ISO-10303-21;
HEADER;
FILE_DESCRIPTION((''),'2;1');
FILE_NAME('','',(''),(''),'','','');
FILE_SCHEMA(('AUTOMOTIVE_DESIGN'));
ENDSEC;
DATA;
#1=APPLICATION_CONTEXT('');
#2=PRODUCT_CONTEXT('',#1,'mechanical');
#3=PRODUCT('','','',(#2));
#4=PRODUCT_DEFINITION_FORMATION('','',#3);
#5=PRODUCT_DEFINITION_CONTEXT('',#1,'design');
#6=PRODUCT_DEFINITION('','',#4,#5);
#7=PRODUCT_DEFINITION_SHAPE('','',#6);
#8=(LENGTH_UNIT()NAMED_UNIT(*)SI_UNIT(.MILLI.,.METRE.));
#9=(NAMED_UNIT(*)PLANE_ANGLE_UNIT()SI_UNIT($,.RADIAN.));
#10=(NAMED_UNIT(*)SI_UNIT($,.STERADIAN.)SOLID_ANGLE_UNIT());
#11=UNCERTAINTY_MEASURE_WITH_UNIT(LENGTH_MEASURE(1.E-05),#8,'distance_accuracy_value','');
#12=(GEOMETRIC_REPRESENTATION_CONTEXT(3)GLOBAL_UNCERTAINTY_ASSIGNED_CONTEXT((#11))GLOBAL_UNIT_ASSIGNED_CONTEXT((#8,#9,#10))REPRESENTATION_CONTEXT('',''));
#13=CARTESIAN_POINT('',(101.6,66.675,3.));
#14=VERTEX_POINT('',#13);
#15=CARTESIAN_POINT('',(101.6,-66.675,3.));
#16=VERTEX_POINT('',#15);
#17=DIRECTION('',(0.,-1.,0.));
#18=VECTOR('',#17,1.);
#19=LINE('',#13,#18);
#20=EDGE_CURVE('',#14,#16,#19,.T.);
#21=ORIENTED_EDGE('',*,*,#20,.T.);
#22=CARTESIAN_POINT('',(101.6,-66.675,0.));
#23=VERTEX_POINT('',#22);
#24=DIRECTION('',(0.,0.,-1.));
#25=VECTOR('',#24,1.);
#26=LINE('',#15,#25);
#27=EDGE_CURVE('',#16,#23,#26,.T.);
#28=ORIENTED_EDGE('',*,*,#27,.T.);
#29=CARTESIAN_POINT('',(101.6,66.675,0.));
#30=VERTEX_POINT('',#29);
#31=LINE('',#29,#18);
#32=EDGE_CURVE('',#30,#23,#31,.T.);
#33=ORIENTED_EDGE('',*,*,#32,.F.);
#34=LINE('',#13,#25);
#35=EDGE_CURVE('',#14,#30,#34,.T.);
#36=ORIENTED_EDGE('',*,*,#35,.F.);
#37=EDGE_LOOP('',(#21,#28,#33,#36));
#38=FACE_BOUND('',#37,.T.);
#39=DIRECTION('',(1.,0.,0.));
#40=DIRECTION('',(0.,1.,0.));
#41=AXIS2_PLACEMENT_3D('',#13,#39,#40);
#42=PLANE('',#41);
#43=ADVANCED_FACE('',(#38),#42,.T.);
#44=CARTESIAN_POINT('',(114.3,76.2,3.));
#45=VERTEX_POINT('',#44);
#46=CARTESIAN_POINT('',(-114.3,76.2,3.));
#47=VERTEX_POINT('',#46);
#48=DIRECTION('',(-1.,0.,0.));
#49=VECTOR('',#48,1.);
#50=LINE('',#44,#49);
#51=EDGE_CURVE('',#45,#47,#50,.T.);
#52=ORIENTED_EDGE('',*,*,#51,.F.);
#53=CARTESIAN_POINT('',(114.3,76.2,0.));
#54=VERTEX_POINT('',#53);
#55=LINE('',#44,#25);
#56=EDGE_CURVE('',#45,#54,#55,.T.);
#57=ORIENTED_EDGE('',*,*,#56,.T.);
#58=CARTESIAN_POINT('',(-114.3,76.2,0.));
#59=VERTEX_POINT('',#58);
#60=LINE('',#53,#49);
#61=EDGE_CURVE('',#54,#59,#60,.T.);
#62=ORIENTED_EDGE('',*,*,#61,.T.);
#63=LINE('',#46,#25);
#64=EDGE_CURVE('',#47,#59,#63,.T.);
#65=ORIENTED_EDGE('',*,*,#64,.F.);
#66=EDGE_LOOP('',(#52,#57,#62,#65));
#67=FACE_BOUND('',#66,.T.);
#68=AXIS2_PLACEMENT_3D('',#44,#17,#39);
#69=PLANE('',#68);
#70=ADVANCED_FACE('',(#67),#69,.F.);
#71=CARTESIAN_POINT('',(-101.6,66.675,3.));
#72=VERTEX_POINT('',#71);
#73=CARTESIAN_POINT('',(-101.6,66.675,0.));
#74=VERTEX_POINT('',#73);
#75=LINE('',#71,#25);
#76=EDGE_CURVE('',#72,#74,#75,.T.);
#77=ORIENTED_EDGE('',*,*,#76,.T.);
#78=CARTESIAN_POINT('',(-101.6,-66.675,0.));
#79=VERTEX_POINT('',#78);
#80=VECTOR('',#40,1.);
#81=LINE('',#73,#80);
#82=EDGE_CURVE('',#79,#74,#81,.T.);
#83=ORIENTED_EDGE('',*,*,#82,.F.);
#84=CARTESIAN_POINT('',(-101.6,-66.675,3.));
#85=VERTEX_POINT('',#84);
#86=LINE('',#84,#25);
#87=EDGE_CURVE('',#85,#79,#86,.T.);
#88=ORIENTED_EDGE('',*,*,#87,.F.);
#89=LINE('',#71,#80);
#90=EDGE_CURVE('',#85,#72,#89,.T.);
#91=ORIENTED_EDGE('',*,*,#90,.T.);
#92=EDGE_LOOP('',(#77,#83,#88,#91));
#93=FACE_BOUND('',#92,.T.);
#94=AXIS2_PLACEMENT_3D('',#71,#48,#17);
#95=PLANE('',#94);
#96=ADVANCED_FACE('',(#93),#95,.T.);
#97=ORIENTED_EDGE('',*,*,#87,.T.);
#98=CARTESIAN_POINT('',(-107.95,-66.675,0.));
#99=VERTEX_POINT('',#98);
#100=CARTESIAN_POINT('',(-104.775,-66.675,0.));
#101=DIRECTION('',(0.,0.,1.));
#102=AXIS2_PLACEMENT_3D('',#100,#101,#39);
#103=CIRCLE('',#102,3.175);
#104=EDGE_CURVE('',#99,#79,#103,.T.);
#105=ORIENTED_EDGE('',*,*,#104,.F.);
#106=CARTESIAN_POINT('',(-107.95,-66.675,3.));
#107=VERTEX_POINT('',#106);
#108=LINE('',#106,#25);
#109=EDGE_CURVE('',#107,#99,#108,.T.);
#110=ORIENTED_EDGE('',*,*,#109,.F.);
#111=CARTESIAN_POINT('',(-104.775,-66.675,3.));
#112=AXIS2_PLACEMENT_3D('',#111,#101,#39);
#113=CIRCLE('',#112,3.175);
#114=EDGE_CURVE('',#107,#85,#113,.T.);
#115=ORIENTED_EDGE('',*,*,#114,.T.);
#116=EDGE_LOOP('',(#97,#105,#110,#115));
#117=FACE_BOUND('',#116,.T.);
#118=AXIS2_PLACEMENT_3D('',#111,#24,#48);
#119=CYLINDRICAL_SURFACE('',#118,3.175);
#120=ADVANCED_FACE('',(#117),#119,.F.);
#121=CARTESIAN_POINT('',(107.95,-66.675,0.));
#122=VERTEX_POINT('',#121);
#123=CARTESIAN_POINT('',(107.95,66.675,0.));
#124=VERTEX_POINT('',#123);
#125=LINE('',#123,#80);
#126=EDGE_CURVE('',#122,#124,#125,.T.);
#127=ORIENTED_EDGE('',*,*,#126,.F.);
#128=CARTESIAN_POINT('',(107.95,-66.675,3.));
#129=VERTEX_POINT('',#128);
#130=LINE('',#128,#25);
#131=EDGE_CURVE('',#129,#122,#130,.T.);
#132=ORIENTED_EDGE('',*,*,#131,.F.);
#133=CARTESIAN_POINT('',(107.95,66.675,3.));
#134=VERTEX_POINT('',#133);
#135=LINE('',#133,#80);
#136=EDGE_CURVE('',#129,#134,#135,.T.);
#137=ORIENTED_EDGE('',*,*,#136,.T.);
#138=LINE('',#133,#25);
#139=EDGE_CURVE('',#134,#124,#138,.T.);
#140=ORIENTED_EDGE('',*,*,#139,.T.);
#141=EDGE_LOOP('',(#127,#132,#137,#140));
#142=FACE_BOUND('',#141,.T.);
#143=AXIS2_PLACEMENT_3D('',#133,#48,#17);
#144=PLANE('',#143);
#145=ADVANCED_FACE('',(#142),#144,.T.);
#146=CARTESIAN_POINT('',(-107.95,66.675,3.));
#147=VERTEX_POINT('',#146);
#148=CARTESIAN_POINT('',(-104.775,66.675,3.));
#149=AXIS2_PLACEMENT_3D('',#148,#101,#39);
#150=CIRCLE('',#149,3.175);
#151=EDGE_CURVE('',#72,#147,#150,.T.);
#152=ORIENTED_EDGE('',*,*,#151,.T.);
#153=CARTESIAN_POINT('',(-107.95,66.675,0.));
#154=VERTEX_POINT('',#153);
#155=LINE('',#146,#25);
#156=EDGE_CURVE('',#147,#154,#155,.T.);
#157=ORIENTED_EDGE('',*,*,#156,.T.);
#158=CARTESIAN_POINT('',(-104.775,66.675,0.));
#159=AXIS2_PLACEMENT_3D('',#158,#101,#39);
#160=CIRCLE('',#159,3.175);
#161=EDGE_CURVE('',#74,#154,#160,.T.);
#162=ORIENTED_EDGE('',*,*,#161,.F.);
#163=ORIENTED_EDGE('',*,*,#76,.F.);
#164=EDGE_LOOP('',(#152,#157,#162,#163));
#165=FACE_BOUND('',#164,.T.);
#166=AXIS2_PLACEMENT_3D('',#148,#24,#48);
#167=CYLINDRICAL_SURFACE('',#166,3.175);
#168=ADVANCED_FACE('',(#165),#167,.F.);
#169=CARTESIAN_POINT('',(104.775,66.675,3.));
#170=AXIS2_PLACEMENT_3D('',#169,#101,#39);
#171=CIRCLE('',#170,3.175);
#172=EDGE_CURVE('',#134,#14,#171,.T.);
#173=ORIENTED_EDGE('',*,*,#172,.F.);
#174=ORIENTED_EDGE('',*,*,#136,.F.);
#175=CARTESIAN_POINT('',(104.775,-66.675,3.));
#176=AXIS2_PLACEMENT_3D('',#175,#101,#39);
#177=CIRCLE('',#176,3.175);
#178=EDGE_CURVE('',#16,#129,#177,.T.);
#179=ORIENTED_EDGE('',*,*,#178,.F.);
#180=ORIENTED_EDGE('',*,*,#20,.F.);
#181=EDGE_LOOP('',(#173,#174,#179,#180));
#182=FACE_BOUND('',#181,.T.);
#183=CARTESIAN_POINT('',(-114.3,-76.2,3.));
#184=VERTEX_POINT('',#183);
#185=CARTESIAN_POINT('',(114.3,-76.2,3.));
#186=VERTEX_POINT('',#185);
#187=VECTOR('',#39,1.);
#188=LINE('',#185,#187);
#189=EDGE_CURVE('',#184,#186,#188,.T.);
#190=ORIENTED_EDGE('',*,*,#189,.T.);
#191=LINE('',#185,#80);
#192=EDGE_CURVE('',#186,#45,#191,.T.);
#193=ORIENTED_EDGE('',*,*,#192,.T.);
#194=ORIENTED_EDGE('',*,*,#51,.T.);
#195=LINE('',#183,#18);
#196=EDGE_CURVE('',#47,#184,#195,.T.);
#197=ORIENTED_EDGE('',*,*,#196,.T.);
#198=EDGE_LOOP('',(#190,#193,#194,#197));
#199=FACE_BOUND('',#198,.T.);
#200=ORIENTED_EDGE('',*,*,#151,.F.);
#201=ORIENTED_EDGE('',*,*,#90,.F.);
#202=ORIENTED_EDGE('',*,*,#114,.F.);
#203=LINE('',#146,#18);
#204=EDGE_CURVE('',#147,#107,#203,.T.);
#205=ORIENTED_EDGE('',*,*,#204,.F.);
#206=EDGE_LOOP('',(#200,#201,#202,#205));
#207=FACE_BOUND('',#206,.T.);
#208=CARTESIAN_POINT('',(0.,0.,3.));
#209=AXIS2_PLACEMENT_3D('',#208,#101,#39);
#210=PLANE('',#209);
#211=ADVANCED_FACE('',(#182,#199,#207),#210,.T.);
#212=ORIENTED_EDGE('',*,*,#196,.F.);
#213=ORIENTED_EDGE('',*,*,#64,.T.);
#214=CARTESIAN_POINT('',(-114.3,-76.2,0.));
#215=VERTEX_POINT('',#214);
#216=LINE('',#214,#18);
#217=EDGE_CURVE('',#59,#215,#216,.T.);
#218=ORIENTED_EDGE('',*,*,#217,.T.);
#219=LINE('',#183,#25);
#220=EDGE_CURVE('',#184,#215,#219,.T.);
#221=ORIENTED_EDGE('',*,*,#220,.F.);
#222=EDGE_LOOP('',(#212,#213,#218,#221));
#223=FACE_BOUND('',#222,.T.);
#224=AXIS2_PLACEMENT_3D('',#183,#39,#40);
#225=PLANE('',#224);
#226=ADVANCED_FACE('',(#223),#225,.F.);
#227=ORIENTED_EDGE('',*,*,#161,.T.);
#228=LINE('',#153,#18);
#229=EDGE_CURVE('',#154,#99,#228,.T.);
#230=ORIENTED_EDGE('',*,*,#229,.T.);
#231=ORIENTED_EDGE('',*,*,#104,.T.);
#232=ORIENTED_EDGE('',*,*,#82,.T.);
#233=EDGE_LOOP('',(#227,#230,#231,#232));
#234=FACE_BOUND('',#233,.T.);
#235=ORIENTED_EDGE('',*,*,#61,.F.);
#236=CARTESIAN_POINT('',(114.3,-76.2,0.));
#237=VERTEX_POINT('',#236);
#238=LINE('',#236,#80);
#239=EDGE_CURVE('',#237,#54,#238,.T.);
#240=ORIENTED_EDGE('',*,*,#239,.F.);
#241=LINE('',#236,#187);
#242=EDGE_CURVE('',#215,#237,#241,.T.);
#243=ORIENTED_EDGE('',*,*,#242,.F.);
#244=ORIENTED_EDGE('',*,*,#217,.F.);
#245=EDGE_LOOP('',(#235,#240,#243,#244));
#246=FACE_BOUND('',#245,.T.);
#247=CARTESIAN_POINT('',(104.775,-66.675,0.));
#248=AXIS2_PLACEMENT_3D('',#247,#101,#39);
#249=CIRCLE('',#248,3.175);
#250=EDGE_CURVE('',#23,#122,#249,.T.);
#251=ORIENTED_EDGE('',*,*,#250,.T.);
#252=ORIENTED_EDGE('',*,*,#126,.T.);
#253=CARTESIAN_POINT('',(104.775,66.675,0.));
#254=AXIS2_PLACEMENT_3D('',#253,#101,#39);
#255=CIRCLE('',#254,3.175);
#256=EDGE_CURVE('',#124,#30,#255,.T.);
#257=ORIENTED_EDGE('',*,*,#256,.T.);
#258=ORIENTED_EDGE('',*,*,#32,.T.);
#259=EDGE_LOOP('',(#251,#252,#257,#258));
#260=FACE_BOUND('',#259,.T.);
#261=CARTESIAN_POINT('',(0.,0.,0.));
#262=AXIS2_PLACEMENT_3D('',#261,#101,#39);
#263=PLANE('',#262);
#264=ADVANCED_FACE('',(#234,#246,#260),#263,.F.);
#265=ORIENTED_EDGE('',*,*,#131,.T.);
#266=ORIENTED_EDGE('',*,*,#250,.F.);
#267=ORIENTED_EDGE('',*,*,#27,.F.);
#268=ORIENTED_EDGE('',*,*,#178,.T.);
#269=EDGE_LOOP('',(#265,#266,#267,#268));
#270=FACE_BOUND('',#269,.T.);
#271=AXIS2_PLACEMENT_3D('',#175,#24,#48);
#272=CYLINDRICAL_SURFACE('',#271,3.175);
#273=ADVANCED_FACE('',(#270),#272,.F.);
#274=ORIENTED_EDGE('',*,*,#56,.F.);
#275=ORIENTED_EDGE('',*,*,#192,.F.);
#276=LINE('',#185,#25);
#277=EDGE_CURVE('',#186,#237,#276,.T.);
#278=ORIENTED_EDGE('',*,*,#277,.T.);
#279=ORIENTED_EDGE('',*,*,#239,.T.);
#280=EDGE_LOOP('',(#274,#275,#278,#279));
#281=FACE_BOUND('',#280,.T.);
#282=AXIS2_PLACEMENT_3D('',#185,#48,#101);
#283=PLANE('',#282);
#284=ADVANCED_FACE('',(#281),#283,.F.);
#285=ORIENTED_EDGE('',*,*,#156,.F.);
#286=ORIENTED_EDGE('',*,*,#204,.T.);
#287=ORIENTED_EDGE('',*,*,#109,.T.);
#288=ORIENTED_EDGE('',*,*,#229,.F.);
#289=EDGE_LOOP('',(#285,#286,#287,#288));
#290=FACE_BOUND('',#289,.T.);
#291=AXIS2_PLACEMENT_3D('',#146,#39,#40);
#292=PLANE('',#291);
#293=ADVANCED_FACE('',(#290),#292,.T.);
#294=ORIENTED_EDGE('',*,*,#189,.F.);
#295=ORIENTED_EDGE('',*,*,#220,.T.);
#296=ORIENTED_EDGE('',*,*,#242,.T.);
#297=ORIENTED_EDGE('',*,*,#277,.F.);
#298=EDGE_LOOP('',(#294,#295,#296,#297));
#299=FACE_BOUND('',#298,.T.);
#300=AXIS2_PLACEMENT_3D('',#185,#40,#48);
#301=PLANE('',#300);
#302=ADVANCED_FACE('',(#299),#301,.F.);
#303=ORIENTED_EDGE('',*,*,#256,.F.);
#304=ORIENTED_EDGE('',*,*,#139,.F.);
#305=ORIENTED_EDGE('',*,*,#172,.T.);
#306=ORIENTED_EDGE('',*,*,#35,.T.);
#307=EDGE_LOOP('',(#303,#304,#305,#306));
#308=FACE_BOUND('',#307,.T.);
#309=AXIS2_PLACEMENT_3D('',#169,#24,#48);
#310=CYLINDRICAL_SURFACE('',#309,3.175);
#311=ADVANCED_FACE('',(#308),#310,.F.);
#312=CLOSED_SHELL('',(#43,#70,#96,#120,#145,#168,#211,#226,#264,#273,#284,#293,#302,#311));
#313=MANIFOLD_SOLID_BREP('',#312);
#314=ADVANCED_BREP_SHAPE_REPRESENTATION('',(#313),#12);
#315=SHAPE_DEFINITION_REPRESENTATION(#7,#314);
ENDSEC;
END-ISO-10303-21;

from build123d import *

# Parameters (mm, degrees)
SKETCH1_W           = 228.6
SKETCH1_H           = 152.4
BOSS_EXTRUDE1_DEPTH = 3


with BuildPart() as part:
    # Sketch1 → Boss-Extrude1 (new body)
    with BuildSketch(Plane.XY):
        Rectangle(SKETCH1_W, SKETCH1_H)
        with BuildLine():
            Line((-101.6, 66.675), (-101.6, -66.675))
            ThreePointArc((-101.6, -66.675), (-104.775, -69.85), (-107.95, -66.675))
            Line((-107.95, -66.675), (-107.95, 66.675))
            ThreePointArc((-107.95, 66.675), (-104.775, 69.85), (-101.6, 66.675))
        make_face(mode=Mode.SUBTRACT)
        with BuildLine():
            Line((107.95, 66.675), (107.95, -66.675))
            ThreePointArc((107.95, -66.675), (104.775, -69.85), (101.6, -66.675))
            Line((101.6, -66.675), (101.6, 66.675))
            ThreePointArc((101.6, 66.675), (104.775, 69.85), (107.95, 66.675))
        make_face(mode=Mode.SUBTRACT)
    extrude(amount=BOSS_EXTRUDE1_DEPTH)


solid = part.part
